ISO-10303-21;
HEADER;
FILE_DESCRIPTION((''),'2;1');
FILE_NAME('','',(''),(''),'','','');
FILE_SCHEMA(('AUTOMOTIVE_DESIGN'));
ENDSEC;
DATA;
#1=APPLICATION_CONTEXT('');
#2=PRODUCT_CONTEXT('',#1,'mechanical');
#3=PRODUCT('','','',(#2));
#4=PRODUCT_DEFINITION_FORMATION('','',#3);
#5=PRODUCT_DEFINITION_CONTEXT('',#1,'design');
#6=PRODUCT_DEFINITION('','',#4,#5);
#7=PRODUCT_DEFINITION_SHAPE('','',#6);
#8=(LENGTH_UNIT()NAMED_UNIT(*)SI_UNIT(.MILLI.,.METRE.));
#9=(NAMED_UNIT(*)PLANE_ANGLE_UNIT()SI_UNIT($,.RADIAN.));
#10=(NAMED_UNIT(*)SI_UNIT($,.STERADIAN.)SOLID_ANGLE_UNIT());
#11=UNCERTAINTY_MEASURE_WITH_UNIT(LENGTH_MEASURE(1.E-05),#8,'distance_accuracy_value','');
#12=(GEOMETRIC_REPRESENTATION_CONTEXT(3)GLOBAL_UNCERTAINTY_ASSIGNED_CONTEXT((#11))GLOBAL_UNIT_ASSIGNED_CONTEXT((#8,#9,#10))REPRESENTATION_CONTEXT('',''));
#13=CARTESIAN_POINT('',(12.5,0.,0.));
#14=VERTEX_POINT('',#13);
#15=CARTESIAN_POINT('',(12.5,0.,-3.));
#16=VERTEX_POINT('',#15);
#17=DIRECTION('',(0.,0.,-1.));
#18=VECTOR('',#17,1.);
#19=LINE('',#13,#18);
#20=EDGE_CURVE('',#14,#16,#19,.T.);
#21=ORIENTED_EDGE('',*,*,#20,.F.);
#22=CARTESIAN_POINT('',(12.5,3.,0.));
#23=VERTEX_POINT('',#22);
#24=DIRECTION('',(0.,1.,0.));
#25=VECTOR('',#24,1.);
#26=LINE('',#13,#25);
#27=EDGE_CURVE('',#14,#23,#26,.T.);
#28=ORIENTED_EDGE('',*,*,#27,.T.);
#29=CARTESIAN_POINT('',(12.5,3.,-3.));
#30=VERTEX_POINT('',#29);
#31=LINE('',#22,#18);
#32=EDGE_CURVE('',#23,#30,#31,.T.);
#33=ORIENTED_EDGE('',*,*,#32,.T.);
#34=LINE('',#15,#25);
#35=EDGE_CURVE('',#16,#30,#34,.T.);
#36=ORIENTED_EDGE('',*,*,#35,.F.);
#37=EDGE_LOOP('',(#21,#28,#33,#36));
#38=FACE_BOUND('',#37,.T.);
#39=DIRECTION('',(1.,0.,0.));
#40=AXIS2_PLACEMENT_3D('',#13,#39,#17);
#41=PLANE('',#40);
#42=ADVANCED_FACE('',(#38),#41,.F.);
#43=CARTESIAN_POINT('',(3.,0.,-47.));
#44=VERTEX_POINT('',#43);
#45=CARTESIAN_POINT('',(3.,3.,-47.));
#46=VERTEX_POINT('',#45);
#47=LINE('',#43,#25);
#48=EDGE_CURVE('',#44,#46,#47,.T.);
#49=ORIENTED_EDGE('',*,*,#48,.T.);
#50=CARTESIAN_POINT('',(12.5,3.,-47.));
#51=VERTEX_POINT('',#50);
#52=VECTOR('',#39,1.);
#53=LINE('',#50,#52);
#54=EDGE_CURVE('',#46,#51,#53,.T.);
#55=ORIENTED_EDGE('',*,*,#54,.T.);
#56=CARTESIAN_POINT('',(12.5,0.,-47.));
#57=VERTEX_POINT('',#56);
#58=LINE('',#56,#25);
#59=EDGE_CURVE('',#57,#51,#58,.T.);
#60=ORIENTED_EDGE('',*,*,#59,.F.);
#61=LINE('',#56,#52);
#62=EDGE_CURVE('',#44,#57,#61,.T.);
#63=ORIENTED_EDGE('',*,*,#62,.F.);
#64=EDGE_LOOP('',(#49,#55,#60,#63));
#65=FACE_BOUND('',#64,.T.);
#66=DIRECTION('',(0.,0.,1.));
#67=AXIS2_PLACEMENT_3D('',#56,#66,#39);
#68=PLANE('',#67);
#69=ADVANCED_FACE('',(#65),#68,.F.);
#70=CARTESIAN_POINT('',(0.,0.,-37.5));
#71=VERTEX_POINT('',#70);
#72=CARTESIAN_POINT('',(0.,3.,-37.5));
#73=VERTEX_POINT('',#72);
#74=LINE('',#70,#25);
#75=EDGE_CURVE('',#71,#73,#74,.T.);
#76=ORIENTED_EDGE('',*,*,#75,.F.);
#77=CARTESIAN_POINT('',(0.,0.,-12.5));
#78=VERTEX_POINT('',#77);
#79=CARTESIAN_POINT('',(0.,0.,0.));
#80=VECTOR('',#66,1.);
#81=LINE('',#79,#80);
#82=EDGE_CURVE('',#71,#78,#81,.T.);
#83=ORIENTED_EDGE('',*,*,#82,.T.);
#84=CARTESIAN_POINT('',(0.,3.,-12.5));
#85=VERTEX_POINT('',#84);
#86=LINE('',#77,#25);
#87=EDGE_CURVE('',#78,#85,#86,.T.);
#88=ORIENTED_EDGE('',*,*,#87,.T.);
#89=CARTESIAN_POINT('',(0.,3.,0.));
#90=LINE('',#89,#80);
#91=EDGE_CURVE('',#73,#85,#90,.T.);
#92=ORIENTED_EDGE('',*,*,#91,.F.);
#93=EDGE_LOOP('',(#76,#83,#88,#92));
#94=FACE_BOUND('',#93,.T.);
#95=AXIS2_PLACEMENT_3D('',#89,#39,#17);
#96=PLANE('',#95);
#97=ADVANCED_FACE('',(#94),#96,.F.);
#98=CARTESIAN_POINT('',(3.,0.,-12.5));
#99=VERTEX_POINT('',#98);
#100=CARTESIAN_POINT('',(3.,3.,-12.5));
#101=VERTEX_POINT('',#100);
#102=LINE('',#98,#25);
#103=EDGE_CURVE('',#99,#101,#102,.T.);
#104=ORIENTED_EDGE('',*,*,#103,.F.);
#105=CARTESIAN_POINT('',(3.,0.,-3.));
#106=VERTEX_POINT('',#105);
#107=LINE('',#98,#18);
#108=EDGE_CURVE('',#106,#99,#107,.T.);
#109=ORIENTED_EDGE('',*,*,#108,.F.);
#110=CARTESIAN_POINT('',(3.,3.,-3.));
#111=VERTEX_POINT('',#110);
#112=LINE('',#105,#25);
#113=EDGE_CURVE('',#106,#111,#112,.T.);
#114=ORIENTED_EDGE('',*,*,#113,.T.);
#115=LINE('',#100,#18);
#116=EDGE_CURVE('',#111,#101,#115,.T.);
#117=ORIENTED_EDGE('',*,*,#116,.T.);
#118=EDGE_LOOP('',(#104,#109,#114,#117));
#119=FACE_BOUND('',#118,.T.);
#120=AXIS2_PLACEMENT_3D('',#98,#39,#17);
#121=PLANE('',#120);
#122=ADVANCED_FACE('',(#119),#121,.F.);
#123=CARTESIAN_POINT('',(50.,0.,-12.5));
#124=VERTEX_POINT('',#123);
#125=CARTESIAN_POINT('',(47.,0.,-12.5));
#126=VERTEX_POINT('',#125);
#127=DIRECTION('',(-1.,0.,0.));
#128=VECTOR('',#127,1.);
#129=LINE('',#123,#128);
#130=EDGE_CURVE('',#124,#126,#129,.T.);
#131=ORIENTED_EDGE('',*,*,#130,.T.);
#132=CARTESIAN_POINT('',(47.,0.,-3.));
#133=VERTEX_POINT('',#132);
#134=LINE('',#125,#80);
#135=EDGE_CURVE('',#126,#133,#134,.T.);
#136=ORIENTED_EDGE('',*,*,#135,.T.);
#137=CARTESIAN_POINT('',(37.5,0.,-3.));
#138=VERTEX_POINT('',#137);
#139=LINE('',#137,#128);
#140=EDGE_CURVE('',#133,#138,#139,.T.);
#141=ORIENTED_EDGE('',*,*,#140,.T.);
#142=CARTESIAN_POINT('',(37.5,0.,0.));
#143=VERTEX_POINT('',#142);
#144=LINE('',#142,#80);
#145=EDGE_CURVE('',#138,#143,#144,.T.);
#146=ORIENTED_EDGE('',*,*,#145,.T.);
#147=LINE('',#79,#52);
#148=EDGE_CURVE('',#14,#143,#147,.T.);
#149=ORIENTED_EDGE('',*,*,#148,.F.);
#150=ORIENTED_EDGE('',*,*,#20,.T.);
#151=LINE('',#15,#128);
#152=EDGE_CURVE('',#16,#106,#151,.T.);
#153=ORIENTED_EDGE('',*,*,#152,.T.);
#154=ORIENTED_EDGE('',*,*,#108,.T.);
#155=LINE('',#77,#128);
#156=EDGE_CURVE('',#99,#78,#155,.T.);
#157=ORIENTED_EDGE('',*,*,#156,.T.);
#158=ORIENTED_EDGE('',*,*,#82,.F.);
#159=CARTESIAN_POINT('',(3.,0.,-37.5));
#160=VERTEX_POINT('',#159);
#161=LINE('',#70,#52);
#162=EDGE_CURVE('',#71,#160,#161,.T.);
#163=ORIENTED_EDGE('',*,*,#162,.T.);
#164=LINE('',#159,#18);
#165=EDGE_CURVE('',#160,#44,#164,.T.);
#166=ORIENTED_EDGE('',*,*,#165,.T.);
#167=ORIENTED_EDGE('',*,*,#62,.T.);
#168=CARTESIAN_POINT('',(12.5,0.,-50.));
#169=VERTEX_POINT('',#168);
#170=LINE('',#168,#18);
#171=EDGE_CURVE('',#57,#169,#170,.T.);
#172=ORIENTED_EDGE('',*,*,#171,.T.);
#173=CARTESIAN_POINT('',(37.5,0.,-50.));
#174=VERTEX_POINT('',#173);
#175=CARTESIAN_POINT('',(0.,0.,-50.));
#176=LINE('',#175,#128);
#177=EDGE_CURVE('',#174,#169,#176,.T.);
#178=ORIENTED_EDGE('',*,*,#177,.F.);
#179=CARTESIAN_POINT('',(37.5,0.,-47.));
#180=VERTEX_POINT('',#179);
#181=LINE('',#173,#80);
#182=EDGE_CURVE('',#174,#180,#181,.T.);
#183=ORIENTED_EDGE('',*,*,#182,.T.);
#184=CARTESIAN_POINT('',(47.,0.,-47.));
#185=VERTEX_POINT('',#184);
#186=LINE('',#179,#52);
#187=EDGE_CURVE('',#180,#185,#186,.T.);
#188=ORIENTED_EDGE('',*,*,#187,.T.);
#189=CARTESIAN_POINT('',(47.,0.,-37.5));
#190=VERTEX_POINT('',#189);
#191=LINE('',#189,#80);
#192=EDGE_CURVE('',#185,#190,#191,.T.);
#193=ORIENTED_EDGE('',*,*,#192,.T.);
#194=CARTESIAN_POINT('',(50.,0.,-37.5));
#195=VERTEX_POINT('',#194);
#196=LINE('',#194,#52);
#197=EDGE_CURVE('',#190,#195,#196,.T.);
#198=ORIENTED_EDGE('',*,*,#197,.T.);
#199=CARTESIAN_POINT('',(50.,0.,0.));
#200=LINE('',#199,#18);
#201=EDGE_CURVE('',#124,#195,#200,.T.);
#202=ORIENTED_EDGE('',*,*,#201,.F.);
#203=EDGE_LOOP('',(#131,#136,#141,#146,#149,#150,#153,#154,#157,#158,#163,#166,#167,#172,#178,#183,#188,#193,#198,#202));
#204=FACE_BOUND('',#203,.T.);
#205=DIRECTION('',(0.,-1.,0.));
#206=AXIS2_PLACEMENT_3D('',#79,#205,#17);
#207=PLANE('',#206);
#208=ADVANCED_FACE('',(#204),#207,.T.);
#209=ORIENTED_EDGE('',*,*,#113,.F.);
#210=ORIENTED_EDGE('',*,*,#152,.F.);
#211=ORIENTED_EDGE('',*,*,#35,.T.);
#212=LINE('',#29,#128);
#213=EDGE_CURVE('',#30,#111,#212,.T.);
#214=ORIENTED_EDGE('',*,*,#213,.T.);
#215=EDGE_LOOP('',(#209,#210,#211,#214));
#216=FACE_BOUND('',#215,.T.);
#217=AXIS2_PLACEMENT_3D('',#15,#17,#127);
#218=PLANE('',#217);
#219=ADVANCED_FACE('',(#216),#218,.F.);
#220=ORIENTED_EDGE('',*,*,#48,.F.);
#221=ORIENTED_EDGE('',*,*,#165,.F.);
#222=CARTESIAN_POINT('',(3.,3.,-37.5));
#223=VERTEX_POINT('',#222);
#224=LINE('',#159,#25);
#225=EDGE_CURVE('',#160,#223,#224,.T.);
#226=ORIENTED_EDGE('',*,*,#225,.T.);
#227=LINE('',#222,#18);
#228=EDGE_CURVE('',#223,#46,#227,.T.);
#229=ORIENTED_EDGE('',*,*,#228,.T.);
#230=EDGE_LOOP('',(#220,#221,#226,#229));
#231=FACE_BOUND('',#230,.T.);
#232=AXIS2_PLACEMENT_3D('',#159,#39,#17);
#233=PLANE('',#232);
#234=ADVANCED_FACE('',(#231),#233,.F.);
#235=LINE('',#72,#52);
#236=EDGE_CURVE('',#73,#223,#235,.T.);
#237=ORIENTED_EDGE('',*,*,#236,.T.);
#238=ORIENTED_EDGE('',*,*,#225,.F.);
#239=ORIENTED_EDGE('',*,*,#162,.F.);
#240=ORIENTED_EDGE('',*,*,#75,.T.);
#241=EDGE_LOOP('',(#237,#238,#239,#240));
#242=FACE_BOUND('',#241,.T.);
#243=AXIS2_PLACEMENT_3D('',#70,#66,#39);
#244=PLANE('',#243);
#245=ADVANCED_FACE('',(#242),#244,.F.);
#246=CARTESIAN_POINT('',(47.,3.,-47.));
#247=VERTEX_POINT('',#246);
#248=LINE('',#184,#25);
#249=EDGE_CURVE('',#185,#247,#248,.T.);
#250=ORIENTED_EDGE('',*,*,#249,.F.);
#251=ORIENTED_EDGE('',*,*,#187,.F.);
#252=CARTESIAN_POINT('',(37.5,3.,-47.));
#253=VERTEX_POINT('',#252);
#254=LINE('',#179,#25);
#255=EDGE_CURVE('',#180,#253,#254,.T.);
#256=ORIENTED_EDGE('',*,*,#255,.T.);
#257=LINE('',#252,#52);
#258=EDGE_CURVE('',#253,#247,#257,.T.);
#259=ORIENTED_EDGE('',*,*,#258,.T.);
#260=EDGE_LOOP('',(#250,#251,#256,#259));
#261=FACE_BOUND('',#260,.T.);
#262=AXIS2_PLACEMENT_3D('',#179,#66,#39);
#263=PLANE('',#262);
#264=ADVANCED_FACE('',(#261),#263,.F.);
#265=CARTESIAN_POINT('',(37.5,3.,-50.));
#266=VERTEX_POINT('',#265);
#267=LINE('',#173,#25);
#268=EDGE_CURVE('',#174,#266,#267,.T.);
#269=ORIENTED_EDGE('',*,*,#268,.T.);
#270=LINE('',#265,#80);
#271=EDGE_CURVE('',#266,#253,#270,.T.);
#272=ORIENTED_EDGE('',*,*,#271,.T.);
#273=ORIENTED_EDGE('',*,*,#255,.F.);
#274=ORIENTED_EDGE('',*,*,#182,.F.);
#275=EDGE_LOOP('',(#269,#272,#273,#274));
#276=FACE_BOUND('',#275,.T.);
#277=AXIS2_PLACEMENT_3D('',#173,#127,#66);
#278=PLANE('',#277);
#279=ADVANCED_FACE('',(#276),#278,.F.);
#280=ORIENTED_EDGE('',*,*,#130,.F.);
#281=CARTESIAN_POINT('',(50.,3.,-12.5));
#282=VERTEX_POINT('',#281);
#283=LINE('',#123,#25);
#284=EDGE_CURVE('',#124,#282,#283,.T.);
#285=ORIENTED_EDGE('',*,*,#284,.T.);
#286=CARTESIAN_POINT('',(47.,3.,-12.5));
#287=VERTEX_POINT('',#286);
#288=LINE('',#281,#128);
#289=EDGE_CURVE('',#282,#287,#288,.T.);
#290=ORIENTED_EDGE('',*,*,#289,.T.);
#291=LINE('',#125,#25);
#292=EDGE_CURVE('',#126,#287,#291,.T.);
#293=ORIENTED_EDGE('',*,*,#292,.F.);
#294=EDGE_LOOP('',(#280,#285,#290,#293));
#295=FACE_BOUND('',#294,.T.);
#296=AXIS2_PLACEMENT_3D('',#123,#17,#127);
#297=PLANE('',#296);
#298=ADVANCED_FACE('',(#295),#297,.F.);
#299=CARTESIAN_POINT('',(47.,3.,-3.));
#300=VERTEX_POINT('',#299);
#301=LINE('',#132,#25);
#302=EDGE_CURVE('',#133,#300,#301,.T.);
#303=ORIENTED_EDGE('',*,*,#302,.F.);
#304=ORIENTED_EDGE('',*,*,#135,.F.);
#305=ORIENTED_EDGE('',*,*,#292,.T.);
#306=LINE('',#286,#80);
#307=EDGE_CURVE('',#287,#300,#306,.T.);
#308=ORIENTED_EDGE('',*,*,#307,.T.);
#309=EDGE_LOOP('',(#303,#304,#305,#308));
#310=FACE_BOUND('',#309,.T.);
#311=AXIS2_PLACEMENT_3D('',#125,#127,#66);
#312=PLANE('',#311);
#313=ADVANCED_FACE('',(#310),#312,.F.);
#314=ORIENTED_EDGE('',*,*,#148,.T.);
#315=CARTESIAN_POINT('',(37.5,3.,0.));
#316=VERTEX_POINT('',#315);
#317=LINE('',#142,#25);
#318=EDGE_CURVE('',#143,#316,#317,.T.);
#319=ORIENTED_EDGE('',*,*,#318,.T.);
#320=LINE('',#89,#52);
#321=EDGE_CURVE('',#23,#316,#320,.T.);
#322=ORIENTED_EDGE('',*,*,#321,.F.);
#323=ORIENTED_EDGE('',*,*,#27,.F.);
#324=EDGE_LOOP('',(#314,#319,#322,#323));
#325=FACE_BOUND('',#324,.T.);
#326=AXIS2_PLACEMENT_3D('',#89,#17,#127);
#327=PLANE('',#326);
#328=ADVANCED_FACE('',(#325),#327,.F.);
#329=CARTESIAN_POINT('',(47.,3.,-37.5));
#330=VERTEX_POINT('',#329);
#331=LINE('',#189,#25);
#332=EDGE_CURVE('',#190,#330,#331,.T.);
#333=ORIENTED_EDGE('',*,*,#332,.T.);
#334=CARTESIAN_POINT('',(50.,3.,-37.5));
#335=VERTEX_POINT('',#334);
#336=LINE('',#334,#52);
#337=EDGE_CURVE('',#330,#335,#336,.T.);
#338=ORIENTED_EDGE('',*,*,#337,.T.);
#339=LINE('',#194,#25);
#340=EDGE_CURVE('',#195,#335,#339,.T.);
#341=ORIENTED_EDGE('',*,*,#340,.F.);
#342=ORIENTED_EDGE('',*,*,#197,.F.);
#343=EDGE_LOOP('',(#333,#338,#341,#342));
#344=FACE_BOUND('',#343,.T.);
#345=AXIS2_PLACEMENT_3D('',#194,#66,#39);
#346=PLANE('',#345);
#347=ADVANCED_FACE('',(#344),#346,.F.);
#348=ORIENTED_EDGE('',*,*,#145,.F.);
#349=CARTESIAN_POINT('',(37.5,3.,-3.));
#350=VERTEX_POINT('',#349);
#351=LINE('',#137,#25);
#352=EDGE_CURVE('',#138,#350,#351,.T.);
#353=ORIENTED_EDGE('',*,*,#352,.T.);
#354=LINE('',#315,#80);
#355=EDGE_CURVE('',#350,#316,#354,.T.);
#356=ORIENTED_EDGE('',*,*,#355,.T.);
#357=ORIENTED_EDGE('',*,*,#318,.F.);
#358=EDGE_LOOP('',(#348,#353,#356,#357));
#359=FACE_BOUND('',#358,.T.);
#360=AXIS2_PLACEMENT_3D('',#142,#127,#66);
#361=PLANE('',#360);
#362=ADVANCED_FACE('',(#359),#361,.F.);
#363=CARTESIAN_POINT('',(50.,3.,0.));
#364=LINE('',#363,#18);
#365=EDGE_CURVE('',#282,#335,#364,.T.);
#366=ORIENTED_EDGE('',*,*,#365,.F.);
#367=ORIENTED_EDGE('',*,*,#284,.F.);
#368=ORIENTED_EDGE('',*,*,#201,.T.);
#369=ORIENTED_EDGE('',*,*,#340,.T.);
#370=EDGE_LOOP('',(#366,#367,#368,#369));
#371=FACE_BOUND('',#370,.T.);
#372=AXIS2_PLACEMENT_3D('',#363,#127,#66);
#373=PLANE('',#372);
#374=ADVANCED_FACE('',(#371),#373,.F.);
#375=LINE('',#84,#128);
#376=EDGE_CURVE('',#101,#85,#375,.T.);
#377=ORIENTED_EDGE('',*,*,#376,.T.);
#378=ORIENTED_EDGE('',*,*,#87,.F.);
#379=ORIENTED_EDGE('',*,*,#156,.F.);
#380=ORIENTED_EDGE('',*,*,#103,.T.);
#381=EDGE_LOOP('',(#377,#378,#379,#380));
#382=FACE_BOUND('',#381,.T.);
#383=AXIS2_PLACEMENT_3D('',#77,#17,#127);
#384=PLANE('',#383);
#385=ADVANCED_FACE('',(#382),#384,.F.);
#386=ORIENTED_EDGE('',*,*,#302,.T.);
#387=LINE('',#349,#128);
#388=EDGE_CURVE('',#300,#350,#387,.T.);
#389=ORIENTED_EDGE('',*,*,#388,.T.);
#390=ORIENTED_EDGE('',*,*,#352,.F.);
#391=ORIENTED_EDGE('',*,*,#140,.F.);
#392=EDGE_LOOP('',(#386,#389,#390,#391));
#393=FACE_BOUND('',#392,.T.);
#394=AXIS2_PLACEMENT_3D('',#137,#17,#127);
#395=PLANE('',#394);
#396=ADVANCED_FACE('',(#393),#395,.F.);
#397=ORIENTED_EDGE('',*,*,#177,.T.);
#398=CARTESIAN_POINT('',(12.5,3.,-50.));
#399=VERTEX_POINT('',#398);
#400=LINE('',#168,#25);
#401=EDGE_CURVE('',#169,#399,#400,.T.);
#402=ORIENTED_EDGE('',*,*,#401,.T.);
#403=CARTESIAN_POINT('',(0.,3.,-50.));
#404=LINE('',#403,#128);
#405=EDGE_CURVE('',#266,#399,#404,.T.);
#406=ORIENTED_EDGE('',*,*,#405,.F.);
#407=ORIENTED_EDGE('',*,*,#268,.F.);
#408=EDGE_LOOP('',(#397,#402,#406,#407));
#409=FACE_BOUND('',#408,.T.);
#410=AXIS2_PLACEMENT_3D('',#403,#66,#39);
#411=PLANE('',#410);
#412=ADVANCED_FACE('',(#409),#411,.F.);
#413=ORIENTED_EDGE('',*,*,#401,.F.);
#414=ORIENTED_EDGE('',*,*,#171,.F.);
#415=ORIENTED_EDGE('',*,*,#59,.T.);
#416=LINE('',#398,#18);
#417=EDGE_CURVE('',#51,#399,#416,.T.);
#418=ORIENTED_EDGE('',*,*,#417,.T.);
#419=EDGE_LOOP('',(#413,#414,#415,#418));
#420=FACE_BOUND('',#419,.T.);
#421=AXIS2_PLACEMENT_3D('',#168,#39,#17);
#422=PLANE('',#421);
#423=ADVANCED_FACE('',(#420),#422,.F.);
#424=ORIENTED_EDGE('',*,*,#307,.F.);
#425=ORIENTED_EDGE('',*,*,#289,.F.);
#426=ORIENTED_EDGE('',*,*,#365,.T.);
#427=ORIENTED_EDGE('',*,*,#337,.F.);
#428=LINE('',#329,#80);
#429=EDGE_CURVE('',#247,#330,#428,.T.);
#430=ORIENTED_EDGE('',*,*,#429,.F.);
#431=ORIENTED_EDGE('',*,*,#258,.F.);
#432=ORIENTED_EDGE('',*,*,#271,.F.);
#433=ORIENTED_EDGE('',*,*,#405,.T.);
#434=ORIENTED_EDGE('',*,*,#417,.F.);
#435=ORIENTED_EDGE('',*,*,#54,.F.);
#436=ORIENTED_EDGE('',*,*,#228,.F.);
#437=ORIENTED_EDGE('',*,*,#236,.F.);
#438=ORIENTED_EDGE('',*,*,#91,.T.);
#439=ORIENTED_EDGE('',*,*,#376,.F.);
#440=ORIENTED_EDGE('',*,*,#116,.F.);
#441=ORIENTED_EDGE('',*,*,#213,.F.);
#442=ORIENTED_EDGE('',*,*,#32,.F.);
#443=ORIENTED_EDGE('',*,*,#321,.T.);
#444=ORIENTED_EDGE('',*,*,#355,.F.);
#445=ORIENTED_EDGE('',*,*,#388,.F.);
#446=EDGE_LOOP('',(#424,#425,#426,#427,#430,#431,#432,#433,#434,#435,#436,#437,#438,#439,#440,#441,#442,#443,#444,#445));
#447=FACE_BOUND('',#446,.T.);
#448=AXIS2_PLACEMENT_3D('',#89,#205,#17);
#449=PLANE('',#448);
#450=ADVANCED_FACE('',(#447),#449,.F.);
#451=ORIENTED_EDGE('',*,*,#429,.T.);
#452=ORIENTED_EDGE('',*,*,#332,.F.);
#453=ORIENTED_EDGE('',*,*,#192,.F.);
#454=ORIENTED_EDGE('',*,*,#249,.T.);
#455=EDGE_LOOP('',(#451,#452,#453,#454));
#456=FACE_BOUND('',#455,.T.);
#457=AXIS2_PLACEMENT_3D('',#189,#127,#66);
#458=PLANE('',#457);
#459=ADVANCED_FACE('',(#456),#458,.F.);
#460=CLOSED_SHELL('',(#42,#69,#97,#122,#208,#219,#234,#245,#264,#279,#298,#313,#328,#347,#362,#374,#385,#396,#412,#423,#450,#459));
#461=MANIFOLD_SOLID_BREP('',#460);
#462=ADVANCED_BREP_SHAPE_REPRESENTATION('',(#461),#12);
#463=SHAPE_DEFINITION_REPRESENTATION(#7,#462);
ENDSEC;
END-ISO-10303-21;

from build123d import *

# Parameters (mm, degrees)
ESQUISSE1_W             = 50
ESQUISSE1_H             = 50
BOSS_EXTRU_1_DEPTH      = 3
ENL_V_MAT_EXTRU_1_DEPTH = 3


with BuildPart() as part:
    # Esquisse1 → Boss.-Extru.1 (new body)
    with BuildSketch(Plane(origin=(0, 0, 0), x_dir=(1, 0, 0), z_dir=(0, 1, 0))):
        with Locations((25, 25)):
            Rectangle(ESQUISSE1_W, ESQUISSE1_H)
    extrude(amount=BOSS_EXTRU_1_DEPTH)

    # Esquisse2 → Enlèv. mat.-Extru.1 (cut)
    with BuildSketch(Plane(origin=(0, 3, 0), x_dir=(1, 0, 0), z_dir=(0, 1, 0))):
        Polygon((0, 37.5), (3, 37.5), (3, 47), (12.5, 47), (12.5, 50), (0, 50), align=None)
        Polygon((0, 12.5), (3, 12.5), (3, 3), (12.5, 3), (12.5, 0), (0, 0), align=None)
        Polygon((50, 12.5), (47, 12.5), (47, 3), (37.5, 3), (37.5, 0), (50, 0), align=None)
        Polygon((37.5, 50), (37.5, 47), (47, 47), (47, 37.5), (50, 37.5), (50, 50), align=None)
    extrude(amount=-ENL_V_MAT_EXTRU_1_DEPTH, mode=Mode.SUBTRACT)


solid = part.part
